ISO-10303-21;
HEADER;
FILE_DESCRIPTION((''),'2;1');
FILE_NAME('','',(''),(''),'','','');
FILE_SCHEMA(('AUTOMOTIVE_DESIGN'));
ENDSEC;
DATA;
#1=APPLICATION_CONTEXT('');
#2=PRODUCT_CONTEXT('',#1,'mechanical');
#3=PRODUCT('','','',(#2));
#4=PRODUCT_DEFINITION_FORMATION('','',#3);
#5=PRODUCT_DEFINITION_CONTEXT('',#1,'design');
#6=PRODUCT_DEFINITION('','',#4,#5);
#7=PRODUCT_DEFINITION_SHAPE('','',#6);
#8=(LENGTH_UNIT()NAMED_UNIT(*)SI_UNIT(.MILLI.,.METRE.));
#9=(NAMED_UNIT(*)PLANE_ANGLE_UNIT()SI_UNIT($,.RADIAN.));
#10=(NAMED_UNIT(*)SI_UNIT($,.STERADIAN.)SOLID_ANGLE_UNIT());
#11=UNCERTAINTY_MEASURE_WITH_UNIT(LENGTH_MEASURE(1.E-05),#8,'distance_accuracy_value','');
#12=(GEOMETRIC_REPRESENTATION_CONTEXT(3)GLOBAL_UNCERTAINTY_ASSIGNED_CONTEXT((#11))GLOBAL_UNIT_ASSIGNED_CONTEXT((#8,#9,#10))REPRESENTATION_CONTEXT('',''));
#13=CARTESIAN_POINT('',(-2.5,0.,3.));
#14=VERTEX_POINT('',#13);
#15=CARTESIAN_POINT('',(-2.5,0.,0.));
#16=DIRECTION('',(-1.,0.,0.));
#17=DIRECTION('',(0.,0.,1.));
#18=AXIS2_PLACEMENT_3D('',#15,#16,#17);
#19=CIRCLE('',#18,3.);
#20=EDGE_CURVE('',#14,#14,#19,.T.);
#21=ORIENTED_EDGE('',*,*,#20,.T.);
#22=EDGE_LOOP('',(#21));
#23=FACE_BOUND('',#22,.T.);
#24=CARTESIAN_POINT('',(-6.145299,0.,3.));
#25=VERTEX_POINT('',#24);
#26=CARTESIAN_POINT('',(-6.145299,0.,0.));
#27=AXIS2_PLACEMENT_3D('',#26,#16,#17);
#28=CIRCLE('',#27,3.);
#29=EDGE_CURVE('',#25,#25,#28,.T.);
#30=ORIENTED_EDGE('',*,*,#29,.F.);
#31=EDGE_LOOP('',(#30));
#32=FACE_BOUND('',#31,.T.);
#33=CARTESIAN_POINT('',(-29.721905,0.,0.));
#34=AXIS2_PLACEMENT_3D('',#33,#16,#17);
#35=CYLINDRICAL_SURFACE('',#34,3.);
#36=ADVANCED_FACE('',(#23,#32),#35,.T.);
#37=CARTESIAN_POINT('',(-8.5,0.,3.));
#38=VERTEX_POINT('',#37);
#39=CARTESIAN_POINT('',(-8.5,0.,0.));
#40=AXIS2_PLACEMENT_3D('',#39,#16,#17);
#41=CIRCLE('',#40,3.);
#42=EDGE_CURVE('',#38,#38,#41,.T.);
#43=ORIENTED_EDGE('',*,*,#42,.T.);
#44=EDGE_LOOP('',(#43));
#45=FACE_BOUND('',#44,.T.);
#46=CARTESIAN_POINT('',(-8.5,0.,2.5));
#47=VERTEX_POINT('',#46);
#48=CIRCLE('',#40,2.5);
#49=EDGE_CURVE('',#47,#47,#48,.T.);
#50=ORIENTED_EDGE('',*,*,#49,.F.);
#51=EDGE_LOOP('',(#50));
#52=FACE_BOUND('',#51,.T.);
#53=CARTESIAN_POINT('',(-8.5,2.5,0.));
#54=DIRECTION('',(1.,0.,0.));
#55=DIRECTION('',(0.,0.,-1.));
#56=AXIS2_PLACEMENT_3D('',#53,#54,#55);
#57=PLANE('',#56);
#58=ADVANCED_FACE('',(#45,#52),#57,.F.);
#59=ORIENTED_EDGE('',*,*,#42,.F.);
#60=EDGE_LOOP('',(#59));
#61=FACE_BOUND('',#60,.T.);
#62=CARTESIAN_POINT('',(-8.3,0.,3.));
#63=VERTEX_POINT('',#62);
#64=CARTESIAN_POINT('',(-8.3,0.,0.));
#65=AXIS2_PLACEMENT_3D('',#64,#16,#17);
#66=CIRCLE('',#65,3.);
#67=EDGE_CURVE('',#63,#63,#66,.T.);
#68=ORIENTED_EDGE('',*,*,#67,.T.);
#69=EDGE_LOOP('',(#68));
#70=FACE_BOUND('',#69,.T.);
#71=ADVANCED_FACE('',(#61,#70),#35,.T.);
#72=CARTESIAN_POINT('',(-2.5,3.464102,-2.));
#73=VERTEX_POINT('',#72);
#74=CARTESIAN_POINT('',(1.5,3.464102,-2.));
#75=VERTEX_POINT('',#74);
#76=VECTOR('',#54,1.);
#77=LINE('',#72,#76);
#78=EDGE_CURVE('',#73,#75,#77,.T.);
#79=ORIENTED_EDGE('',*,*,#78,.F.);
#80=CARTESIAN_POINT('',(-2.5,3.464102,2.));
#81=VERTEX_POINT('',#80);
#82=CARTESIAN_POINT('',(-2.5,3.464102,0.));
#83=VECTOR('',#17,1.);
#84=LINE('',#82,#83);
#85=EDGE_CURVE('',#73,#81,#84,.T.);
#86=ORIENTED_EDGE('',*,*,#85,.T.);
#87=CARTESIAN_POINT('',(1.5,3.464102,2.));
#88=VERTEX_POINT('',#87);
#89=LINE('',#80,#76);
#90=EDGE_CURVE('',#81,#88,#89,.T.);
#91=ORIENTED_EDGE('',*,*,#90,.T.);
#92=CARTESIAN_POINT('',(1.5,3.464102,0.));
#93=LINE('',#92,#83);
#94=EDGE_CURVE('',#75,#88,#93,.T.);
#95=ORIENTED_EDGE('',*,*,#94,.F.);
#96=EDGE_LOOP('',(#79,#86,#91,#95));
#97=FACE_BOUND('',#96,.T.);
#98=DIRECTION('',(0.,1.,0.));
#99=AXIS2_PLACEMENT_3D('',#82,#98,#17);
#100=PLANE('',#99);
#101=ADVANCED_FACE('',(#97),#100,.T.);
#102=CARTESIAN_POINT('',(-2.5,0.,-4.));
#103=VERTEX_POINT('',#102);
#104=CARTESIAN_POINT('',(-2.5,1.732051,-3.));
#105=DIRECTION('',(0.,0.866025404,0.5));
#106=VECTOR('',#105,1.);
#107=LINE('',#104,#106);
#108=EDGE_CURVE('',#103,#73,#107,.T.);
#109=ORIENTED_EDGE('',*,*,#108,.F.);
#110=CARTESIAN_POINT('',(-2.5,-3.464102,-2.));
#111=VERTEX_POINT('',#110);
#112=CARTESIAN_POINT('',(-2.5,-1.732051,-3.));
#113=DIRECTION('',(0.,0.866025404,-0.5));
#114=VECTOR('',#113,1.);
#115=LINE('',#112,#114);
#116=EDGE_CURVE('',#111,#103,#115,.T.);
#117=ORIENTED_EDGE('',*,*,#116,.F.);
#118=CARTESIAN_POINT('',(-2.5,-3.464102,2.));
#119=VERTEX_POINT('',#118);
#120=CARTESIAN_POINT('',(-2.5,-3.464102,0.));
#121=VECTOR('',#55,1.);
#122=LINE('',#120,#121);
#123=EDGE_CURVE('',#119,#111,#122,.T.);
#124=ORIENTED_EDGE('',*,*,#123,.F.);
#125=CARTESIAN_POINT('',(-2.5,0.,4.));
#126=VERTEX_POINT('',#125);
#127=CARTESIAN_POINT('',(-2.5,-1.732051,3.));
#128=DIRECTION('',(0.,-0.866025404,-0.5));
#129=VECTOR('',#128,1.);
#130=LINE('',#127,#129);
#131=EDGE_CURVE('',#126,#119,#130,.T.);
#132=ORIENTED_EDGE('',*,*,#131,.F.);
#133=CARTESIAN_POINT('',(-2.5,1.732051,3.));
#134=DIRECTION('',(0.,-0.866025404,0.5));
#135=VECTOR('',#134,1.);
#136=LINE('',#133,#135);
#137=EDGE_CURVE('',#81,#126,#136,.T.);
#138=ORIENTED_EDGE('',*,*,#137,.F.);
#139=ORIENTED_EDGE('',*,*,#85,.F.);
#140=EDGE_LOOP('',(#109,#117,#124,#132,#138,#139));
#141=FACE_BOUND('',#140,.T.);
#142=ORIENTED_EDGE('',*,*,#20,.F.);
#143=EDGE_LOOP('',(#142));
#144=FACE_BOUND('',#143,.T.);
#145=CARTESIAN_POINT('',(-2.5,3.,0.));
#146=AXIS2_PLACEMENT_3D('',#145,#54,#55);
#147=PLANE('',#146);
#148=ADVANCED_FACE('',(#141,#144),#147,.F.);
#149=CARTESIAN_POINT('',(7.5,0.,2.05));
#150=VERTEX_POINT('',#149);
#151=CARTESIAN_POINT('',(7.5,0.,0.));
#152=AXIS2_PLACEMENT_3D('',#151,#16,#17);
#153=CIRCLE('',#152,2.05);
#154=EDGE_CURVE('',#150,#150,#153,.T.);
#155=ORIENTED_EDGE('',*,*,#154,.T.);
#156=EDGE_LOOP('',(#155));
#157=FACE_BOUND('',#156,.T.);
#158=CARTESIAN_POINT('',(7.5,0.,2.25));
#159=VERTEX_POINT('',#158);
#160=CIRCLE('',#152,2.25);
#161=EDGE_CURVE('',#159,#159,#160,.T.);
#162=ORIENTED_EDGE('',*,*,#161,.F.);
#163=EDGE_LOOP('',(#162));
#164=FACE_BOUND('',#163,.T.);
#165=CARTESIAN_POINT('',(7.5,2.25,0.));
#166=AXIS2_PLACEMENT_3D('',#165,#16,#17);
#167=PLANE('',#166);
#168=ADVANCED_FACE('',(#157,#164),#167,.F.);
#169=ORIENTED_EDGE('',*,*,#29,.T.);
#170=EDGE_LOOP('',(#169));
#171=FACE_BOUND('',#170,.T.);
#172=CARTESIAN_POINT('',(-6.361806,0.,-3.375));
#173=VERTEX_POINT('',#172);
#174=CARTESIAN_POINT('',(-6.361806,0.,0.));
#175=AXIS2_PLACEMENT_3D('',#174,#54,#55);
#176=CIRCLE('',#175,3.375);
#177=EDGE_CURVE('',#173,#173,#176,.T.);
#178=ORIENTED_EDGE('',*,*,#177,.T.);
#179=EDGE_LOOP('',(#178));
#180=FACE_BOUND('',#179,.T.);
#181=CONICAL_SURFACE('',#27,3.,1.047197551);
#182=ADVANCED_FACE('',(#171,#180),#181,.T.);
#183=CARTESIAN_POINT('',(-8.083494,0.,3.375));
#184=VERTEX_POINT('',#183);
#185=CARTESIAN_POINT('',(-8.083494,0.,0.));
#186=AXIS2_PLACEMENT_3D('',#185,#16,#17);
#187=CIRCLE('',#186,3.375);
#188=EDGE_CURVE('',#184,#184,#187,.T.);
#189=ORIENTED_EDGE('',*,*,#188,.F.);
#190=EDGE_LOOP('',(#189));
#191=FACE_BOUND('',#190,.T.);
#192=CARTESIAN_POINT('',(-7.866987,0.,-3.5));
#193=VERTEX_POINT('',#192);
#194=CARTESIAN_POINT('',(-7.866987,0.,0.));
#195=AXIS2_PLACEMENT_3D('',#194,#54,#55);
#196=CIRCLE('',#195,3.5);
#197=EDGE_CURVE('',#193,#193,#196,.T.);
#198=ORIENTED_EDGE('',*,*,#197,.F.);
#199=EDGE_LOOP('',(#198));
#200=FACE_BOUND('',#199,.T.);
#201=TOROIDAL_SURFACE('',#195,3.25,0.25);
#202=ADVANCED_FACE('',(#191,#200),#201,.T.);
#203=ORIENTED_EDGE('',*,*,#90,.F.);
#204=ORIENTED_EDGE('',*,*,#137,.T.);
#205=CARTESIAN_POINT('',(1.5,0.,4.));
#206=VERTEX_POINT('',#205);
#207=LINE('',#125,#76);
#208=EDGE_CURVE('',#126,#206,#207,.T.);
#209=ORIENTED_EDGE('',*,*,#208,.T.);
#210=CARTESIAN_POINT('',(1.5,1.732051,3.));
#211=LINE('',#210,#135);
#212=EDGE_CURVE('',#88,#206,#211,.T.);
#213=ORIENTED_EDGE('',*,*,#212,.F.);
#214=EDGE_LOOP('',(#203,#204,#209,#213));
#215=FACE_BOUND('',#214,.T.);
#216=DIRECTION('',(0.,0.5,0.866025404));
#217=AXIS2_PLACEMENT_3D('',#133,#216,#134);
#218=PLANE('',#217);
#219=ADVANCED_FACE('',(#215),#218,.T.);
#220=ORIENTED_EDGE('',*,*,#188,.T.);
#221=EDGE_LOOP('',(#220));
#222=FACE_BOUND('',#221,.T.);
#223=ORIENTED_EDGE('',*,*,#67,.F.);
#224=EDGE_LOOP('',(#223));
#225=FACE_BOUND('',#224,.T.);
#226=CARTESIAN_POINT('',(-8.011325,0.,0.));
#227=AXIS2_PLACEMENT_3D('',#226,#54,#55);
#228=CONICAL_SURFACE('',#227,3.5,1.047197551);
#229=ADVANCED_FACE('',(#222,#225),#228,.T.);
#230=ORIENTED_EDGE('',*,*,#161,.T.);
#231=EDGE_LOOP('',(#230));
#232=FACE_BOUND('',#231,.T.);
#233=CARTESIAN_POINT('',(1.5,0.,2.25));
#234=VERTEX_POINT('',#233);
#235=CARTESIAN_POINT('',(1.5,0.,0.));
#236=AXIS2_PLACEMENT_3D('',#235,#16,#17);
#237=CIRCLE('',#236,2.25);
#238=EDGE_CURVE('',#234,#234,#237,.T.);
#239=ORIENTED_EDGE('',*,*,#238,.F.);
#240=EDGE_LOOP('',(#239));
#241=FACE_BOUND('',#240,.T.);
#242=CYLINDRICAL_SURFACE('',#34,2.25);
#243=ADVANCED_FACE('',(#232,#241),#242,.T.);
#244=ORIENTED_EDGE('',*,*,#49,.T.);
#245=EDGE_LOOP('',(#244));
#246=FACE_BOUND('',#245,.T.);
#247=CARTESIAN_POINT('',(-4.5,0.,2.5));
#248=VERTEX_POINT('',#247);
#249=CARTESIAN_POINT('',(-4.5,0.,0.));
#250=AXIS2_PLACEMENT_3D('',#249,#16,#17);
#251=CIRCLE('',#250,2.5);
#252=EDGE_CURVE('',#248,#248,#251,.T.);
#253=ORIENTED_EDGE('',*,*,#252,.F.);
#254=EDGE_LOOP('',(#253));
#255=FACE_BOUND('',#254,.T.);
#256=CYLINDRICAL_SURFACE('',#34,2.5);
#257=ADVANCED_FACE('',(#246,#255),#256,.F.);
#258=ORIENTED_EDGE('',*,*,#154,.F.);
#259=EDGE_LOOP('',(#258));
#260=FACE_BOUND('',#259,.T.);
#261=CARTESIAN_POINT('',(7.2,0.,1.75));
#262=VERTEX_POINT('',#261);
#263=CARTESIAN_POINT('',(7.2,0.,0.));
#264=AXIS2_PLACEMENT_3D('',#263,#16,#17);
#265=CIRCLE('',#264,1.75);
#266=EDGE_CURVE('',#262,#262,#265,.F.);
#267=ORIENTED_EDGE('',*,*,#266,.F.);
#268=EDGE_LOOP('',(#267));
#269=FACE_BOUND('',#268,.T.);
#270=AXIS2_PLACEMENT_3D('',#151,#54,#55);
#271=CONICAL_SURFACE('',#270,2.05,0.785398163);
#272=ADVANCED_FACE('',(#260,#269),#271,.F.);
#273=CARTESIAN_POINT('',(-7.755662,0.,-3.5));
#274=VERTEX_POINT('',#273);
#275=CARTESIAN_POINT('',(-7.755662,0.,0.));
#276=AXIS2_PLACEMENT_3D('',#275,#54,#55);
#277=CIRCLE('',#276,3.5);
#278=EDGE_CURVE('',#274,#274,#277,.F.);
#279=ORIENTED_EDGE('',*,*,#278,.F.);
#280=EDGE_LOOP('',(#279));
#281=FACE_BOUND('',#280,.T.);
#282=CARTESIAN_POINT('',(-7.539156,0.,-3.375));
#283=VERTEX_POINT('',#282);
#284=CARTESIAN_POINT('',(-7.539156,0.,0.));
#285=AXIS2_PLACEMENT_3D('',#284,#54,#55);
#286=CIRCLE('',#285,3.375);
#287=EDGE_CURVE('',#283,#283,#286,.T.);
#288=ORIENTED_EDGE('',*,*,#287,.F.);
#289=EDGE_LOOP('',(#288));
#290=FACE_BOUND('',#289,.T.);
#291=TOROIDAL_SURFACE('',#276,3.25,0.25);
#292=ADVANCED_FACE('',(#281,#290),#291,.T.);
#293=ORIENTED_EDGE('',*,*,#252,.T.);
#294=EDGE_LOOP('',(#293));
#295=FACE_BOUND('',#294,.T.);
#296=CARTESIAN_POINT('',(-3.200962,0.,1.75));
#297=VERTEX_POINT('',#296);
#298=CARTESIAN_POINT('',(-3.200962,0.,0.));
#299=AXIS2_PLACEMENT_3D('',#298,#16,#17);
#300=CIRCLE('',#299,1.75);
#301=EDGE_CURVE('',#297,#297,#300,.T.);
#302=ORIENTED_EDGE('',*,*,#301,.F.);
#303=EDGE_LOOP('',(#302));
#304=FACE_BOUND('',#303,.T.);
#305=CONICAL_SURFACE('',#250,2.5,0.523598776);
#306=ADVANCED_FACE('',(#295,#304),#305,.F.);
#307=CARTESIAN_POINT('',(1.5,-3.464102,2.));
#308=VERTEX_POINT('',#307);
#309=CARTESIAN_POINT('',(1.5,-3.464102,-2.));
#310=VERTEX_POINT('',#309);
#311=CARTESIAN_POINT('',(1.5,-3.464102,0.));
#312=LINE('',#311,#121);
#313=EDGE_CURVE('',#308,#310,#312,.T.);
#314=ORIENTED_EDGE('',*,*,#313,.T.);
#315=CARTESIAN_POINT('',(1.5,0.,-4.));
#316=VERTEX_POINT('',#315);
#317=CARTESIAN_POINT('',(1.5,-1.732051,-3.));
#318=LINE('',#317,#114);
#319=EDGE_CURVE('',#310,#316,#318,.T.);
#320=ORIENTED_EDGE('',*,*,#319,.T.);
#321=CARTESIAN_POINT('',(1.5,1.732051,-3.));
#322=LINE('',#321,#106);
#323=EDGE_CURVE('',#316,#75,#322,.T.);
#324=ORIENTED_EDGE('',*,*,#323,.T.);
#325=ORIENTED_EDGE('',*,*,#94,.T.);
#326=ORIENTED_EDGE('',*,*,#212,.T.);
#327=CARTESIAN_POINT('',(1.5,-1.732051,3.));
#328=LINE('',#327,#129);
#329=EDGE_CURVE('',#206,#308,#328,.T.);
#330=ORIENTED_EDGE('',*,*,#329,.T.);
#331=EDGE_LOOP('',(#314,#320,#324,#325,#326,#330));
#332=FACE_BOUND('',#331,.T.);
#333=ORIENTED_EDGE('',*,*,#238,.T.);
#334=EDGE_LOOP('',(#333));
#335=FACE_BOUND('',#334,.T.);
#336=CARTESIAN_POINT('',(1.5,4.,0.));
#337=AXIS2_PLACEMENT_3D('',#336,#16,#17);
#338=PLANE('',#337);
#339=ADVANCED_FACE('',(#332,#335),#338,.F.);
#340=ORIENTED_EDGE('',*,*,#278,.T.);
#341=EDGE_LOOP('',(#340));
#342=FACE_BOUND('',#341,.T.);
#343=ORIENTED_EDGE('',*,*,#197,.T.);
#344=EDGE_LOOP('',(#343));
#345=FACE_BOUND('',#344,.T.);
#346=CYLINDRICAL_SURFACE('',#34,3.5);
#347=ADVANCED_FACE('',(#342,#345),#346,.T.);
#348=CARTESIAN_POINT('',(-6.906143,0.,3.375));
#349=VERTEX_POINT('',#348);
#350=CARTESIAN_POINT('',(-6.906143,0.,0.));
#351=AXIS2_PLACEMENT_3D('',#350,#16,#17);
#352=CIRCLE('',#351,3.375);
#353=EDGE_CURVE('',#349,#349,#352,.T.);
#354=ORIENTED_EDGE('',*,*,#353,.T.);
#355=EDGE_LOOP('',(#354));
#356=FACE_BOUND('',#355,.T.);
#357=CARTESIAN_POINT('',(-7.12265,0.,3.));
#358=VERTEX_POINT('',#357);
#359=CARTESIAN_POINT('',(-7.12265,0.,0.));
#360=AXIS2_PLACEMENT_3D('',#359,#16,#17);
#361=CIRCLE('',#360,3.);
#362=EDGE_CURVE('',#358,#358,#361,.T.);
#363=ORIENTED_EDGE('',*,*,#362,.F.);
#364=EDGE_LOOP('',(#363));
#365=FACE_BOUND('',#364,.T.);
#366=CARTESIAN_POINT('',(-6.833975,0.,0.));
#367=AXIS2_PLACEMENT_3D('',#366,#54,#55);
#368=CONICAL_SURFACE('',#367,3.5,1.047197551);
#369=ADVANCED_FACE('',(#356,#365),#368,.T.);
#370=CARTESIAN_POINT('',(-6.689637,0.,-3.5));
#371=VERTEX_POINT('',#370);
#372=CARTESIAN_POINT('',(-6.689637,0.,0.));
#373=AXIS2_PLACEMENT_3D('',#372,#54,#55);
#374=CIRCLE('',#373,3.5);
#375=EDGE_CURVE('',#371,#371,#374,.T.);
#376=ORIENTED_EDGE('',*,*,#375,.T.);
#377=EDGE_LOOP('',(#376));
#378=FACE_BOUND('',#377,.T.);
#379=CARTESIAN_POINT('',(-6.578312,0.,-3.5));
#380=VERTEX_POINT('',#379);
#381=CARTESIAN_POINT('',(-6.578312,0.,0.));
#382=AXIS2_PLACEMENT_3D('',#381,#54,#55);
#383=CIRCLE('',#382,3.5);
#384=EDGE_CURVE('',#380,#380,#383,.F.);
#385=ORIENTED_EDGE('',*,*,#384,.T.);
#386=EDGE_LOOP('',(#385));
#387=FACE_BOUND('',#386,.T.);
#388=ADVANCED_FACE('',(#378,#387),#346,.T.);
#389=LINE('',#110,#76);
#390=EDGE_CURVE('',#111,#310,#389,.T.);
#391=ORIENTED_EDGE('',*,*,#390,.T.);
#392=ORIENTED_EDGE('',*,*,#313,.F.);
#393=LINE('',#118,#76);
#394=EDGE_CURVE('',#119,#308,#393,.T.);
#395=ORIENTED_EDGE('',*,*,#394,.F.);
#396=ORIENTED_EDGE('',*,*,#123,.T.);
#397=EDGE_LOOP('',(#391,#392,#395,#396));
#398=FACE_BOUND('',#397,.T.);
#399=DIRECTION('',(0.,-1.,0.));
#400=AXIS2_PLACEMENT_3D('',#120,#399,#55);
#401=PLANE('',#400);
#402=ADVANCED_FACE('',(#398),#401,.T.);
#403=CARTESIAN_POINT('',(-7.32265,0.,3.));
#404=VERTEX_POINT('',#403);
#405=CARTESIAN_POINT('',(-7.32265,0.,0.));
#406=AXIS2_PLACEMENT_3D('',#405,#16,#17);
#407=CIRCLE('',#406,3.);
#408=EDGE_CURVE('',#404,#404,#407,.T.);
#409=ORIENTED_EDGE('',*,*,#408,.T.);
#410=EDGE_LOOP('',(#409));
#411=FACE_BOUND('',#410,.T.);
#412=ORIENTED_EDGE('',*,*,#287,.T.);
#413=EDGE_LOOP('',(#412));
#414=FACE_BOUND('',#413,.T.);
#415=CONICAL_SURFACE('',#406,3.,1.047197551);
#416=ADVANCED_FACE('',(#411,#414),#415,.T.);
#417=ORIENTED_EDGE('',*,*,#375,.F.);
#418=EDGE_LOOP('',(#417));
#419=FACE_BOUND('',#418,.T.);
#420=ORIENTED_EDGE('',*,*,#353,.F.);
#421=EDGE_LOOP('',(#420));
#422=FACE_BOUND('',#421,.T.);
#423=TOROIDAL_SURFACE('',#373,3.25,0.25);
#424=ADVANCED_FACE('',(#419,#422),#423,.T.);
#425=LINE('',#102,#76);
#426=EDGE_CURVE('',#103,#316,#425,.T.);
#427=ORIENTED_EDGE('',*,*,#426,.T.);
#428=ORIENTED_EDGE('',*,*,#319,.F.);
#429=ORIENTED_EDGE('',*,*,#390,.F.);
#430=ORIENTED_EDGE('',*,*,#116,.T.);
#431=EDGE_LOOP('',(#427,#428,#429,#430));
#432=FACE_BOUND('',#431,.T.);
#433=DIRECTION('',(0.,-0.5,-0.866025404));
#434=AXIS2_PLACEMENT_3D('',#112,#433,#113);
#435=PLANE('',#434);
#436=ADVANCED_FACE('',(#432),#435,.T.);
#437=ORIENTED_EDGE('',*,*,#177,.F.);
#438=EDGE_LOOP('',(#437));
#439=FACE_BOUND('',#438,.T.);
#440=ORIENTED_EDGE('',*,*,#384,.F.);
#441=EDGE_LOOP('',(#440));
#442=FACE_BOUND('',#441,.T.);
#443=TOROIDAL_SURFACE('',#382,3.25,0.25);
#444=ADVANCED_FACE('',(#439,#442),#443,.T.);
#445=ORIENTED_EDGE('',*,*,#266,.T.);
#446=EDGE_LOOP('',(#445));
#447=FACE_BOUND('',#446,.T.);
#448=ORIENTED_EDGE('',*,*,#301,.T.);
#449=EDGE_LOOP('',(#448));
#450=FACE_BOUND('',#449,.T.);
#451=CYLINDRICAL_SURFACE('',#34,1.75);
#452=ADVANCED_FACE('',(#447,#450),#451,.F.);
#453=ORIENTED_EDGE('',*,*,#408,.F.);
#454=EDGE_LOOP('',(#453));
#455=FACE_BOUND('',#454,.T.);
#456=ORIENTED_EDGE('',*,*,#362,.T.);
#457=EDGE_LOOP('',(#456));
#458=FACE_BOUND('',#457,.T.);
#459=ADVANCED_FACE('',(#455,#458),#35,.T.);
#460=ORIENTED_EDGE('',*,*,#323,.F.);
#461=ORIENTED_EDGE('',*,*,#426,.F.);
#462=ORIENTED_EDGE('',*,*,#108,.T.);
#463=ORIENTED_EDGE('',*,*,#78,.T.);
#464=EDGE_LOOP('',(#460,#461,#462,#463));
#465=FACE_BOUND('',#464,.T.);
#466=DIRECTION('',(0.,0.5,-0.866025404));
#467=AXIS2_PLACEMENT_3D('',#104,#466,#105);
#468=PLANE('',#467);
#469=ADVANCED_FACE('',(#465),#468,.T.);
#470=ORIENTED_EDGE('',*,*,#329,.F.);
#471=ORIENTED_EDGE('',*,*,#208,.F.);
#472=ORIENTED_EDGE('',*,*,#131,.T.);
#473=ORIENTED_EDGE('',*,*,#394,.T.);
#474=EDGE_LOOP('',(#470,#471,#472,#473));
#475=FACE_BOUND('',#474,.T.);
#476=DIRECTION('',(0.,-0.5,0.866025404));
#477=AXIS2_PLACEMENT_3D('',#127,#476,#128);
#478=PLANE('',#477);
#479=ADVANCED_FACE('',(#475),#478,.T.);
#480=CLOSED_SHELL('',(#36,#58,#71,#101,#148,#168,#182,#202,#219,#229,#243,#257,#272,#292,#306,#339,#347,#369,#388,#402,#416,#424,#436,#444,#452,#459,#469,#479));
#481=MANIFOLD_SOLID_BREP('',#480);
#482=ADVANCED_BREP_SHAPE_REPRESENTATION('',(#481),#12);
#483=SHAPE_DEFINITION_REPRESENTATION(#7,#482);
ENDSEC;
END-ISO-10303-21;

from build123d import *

# Parameters (mm, degrees)
CORTE_EXTRUS_O1_DEPTH = 4
FILETE1_R             = 0.25
FILETE2_R             = 0.25
CHANFRO1_SIZE         = 0.3


with BuildPart() as part:
    # Esboço1 → Revolução1 (revolve)
    with BuildSketch(Plane.XY):
        Polygon((-7.322649731, 3), (-7.122649731, 3), (-6.833974596, 3.5), (-6.433974596, 3.5), (-6.145299462, 3), (-2.5, 3), (-2.5, 4), (1.5, 4), (1.5, 2.25), (7.5, 2.25), (7.5, 1.75), (-3.200961894, 1.75), (-4.5, 2.5), (-8.5, 2.5), (-8.5, 3), (-8.3, 3), (-8.011324865, 3.5), (-7.611324865, 3.5), align=None)
    revolve(axis=Axis((-29.721905334, 0, 0), (1, 0, 0)))

    # Esboço2 → Corte-extrusão1 (cut)
    with BuildSketch(Plane(origin=(1.5, 0, 0), x_dir=(0, 0, -1), z_dir=(1, 0, 0))):
        with BuildLine():
            Line((-2, 3.464101615), (2, 3.464101615))
            ThreePointArc((2, 3.464101615), (0, 4), (-2, 3.464101615))
        make_face()
        with BuildLine():
            Line((-4, 0), (-2, 3.464101615))
            ThreePointArc((-2, 3.464101615), (-3.464101615, 2), (-4, 0))
        make_face()
        with BuildLine():
            ThreePointArc((-4, 0), (-3.464101615, -2), (-2, -3.464101615))
            Line((-2, -3.464101615), (-4, 0))
        make_face()
        with BuildLine():
            ThreePointArc((-2, -3.464101615), (0, -4), (2, -3.464101615))
            Line((2, -3.464101615), (-2, -3.464101615))
        make_face()
        with BuildLine():
            ThreePointArc((2, -3.464101615), (3.464101615, -2), (4, 0))
            Line((4, 0), (2, -3.464101615))
        make_face()
        with BuildLine():
            Line((2, 3.464101615), (4, 0))
            ThreePointArc((4, 0), (3.464101615, 2), (2, 3.464101615))
        make_face()
    extrude(amount=-CORTE_EXTRUS_O1_DEPTH, mode=Mode.SUBTRACT)

    # Filete1
    filete1_edges = [part.edges().sort_by_distance(p)[0] for p in [
        (-8.011324865, -3.5, 0),
        (-7.611324865, -3.5, 0),
    ]]
    fillet(filete1_edges, radius=FILETE1_R)

    # Filete2
    filete2_edges = [part.edges().sort_by_distance(p)[0] for p in [
        (-6.833974596, -3.5, 0),
        (-6.433974596, -3.5, 0),
    ]]
    fillet(filete2_edges, radius=FILETE2_R)

    # Chanfro1
    chanfro1_edges = [part.edges().sort_by_distance(p)[0] for p in [
        (7.5, -1.75, 0),
    ]]
    chamfer(chanfro1_edges, length=CHANFRO1_SIZE)


solid = part.part
